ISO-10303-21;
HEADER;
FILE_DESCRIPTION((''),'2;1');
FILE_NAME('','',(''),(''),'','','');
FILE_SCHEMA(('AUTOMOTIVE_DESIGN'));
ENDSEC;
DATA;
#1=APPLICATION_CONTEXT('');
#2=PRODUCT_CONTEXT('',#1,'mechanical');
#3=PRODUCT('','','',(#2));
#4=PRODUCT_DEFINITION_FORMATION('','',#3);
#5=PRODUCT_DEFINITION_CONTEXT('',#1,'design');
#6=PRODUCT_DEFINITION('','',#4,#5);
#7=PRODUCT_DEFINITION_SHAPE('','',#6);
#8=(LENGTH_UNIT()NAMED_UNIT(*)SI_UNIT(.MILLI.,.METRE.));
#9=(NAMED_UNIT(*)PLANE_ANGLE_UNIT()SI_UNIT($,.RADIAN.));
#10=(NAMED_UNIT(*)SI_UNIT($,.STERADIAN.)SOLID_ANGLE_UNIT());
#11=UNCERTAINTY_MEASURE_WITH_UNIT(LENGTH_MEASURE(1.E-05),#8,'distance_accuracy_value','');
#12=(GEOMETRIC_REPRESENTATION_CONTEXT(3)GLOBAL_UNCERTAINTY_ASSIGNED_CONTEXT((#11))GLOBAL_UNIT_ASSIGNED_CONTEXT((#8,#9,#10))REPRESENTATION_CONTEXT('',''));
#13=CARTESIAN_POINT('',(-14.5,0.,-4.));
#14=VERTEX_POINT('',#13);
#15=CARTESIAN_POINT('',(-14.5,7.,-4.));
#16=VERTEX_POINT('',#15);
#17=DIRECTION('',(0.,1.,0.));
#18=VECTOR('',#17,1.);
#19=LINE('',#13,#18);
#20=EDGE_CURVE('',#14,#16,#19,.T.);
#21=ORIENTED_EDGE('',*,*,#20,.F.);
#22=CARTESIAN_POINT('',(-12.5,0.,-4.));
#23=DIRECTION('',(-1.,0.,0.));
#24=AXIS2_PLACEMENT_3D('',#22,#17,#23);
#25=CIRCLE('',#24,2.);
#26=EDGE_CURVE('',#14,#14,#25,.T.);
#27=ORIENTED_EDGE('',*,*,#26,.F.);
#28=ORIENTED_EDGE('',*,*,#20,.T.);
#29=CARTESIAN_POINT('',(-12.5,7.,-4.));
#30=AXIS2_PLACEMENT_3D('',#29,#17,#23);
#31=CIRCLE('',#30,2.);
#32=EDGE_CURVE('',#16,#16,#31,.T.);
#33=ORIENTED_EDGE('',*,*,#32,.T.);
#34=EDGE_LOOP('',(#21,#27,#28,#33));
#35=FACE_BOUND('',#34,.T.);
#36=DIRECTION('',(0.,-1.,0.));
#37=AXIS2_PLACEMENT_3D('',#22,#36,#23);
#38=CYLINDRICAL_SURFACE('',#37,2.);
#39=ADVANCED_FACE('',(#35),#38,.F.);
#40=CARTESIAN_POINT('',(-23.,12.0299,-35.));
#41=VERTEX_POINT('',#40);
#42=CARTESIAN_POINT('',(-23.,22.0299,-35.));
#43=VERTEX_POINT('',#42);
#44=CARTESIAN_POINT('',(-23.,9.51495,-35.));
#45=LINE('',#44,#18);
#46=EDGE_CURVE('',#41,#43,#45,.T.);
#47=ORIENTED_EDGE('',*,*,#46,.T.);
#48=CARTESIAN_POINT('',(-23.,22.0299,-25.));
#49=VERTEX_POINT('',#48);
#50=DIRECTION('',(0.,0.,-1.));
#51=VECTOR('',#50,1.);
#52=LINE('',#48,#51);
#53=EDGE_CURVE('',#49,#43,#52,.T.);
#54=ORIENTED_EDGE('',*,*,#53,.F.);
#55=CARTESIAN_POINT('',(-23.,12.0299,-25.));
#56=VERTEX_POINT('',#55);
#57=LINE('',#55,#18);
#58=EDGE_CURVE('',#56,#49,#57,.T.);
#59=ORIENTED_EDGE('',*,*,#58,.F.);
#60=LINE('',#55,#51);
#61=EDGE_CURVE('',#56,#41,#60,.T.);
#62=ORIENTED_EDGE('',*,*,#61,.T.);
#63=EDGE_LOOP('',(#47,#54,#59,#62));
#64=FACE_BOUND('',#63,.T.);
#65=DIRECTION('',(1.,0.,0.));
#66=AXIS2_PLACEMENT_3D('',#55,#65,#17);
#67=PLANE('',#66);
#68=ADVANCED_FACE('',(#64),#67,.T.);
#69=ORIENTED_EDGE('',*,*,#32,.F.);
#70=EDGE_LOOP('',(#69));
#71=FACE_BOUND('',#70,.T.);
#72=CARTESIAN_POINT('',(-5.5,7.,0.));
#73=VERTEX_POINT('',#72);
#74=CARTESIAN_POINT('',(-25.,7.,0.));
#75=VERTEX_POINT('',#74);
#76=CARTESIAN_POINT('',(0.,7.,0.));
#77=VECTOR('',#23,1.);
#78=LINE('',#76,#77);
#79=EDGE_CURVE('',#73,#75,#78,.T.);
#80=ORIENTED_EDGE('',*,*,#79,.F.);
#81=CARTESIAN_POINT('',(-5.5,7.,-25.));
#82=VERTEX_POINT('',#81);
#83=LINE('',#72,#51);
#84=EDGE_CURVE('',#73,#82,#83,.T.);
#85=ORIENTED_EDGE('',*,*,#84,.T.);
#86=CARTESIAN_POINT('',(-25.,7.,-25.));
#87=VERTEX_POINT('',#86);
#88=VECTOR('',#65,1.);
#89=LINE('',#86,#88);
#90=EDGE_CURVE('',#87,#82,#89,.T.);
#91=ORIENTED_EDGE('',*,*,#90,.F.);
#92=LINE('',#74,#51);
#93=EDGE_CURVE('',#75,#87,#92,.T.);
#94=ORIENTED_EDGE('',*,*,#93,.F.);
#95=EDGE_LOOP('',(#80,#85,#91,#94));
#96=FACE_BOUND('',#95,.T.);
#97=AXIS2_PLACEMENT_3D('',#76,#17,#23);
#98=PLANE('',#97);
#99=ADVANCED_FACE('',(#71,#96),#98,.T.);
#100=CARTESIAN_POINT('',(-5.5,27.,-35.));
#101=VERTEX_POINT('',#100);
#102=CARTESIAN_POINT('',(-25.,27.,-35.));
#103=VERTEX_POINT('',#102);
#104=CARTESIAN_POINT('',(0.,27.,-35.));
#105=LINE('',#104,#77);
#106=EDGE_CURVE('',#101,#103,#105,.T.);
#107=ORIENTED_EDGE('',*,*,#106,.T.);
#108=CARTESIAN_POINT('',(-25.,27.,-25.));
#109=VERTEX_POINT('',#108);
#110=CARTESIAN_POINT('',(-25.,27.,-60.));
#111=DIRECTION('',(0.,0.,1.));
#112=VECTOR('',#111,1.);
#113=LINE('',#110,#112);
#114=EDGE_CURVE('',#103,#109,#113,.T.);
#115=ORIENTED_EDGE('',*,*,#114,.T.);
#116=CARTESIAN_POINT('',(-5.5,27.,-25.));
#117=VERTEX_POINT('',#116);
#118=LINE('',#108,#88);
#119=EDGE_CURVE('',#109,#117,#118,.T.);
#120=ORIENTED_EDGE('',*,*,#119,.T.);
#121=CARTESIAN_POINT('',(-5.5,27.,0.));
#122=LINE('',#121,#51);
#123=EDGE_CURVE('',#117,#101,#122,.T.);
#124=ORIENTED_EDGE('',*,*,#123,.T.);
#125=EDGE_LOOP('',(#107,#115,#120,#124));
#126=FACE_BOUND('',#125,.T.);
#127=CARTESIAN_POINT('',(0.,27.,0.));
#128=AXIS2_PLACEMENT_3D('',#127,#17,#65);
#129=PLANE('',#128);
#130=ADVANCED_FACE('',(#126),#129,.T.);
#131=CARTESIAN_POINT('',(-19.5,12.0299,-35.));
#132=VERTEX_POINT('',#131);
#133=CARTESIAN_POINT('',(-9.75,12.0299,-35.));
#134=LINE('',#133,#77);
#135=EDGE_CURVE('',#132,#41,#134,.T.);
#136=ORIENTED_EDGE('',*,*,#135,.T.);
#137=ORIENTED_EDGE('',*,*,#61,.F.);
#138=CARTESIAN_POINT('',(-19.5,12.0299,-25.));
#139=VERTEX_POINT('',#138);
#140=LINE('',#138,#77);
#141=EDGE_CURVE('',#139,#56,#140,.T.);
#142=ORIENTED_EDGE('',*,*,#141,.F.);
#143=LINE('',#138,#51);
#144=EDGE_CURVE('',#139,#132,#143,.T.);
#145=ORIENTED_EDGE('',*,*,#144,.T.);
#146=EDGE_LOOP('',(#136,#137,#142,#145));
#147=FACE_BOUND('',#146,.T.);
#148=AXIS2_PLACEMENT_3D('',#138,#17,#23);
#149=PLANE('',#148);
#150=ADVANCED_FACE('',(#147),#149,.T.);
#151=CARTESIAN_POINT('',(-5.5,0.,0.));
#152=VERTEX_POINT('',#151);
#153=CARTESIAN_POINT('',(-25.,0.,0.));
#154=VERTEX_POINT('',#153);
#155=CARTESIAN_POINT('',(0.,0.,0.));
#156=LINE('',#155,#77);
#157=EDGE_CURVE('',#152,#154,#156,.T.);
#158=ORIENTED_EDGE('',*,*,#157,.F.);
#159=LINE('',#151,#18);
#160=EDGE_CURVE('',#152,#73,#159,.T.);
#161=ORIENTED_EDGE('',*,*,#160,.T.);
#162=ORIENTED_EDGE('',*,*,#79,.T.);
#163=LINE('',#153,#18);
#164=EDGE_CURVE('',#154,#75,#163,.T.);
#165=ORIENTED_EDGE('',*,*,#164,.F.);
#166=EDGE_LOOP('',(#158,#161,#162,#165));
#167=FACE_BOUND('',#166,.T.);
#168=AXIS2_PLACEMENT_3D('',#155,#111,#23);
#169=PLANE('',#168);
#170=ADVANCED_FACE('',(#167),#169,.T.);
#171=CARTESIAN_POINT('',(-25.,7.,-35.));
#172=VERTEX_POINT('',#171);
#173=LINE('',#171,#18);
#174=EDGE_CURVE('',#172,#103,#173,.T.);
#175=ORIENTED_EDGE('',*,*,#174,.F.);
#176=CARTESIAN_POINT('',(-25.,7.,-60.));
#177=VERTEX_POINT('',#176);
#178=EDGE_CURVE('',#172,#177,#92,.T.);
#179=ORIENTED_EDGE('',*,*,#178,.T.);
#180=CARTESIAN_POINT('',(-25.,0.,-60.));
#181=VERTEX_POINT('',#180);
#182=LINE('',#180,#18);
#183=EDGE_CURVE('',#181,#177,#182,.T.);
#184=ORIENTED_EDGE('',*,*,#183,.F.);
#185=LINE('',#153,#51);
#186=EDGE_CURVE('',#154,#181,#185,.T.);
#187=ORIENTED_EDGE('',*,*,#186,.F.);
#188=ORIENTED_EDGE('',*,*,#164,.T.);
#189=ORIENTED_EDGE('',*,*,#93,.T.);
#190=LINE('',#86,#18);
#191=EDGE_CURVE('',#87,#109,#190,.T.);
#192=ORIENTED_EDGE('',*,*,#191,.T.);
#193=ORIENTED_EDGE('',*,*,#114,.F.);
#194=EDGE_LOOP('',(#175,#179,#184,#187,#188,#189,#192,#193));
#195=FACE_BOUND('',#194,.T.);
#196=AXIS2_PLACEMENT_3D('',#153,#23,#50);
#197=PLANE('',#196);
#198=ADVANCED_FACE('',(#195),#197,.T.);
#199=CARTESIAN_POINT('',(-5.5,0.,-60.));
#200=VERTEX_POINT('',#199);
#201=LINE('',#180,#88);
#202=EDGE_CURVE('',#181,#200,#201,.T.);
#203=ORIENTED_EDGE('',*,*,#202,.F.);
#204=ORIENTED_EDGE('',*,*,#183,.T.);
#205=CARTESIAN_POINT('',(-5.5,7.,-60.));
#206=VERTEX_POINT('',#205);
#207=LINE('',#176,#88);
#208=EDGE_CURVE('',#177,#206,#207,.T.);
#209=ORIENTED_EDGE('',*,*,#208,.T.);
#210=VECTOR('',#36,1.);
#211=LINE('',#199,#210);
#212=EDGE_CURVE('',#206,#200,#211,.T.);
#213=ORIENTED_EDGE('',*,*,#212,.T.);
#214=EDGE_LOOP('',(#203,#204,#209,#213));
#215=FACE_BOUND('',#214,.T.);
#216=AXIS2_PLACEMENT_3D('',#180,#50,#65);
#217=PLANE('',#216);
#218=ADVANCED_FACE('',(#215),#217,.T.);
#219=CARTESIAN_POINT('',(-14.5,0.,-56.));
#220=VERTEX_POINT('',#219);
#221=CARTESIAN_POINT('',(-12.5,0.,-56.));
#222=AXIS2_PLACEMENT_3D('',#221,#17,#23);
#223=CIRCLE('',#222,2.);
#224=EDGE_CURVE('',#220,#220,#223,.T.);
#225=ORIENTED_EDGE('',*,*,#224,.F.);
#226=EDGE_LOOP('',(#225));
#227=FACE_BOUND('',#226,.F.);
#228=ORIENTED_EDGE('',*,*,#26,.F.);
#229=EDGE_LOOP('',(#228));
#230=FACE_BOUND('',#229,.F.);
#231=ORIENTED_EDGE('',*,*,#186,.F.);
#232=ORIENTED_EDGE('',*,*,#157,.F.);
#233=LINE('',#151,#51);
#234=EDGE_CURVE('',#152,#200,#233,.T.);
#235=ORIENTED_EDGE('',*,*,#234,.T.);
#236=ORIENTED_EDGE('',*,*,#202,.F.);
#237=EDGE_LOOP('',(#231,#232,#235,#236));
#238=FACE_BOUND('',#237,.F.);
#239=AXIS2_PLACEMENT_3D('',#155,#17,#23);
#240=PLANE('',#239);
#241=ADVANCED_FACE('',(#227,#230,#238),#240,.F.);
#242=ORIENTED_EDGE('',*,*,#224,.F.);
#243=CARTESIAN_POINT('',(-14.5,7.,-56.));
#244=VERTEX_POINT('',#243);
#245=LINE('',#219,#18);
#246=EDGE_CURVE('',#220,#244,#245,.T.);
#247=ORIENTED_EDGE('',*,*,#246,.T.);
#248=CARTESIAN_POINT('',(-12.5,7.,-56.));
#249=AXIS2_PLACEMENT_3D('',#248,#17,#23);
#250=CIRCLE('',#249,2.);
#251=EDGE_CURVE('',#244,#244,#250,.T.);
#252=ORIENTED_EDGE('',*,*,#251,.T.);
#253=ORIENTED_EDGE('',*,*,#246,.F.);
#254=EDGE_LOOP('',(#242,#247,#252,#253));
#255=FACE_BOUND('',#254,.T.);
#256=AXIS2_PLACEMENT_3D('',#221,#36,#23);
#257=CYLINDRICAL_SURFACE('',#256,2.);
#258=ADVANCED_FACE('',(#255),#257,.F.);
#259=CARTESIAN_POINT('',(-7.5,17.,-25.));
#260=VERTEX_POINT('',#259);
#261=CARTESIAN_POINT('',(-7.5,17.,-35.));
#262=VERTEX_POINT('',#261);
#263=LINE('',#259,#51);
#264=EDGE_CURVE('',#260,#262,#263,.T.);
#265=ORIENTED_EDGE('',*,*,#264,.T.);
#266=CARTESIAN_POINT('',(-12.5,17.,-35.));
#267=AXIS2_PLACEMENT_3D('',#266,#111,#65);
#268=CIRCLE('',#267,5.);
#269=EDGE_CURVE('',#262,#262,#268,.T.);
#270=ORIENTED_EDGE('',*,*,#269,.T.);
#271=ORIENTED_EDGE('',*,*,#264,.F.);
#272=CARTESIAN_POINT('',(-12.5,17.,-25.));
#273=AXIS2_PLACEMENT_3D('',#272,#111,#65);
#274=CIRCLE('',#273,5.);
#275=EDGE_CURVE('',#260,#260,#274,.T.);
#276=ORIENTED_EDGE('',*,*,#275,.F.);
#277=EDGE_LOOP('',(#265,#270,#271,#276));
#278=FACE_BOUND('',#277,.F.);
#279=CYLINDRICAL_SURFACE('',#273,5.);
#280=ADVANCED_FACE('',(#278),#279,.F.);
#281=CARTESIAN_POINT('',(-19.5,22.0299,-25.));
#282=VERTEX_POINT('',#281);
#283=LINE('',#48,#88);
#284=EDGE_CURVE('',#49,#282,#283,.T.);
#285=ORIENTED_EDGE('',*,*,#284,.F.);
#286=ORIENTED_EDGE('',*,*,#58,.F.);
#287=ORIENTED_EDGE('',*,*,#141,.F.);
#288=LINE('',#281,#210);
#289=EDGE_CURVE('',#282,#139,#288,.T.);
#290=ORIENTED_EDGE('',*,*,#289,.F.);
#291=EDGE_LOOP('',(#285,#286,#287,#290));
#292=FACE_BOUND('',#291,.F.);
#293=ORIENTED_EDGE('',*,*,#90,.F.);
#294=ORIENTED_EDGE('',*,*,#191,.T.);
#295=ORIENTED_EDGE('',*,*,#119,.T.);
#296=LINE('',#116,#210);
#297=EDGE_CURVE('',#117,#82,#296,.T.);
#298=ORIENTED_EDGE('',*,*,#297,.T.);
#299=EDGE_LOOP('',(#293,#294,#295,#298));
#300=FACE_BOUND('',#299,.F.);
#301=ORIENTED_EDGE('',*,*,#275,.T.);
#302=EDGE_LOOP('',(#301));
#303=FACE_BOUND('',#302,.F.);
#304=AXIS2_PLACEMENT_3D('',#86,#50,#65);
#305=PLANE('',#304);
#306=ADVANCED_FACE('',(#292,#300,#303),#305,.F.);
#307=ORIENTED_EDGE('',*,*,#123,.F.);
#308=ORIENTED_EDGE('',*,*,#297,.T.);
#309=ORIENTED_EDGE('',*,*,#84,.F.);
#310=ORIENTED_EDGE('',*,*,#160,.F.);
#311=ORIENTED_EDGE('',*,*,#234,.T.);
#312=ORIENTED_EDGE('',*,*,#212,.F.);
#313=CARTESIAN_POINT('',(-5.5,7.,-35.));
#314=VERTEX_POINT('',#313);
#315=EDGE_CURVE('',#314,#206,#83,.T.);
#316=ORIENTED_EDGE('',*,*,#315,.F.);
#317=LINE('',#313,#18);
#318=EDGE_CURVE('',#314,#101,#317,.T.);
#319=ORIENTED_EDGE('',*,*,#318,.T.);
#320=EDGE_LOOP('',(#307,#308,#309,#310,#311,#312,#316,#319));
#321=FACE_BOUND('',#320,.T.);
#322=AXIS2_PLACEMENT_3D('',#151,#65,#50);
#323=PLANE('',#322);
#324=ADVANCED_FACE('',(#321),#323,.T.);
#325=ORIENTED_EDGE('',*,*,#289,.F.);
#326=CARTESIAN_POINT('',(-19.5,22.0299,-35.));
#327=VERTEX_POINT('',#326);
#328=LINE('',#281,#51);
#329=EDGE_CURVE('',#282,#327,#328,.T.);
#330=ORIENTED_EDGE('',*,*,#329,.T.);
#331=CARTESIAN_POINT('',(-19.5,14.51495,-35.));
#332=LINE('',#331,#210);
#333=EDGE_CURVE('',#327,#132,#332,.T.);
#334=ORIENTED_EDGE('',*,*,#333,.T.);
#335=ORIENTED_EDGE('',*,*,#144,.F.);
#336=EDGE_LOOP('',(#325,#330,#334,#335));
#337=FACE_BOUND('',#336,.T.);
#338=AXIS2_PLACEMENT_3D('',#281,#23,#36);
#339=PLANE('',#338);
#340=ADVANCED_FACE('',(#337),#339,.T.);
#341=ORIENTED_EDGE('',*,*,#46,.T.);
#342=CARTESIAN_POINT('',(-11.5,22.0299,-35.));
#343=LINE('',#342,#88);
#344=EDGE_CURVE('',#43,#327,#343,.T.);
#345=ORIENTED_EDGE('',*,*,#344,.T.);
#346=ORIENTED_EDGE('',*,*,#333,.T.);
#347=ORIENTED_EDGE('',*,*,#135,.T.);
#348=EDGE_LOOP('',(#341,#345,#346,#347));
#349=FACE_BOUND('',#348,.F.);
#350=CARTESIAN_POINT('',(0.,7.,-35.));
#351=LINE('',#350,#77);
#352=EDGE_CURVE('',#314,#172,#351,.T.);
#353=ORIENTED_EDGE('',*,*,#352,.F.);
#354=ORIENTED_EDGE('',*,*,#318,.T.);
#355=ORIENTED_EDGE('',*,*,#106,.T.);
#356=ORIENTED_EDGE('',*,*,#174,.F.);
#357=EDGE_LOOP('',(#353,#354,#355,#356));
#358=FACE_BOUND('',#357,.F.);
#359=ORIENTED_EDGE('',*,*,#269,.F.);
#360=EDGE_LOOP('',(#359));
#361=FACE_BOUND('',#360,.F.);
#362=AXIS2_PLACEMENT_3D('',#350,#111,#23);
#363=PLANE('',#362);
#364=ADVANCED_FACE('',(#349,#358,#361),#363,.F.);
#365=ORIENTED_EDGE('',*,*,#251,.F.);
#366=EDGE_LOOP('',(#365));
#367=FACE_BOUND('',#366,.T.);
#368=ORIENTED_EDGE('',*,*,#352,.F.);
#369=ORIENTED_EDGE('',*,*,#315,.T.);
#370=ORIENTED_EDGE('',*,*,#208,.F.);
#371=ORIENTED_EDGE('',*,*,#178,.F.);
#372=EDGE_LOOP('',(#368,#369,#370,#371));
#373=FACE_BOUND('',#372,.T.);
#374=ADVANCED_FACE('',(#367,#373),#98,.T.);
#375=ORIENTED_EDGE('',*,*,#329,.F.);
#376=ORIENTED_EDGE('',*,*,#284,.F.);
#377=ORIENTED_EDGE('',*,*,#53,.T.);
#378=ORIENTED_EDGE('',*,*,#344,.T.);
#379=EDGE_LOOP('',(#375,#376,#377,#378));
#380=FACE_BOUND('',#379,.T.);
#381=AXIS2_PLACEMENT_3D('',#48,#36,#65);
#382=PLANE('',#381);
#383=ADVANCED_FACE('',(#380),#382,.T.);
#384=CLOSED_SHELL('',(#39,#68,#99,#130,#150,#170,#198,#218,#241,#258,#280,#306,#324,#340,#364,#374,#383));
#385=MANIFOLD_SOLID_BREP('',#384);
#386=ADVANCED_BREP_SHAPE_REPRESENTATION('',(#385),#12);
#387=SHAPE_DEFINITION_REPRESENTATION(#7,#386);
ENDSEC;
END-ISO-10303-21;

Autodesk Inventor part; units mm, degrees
ref_plane "YZ Plane" through (0, 0, 0) normal (1, 0, 0) x (0, 1, 0)
ref_plane "XZ Plane" through (0, 0, 0) normal (0, 1, 0) x (-1, 0, 0)
ref_plane "XY Plane" through (0, 0, 0) normal (0, 0, 1) x (1, 0, 0)
sketch "Sketch1" plane through (0, 0, 0) normal (0, 1, 0) x (-1, 0, 0)
  line L0 (0, 0) -> (25, 0)
  line L1 (25, 0) -> (25, -60)
  line L2 (25, -60) -> (0, -60)
  line L3 (0, -60) -> (0, 0)
  circle A0 centre (12.5, -4) radius 2
  circle A1 centre (12.5, -56) radius 2
  dimension "d0" = 25
  dimension "d1" = 60
  dimension "d2" = 4
  dimension "d3" = 4
  dimension "d4" = 52
  dimension "d5" = 4
extrude "Extrusion1" add sketch "Sketch1" along normal blind 7
sketch "Sketch2" plane through (0, 7, 0) normal (0, 1, 0) x (1, 0, 0)
  line L0 (-25, 60) -> (-25, 0) projected
  line L1 (-25, 25) -> (0, 25)
  line L2 (0, 25) -> (0, 35)
  line L3 (0, 35) -> (-25, 35)
  line L4 (-25, 35) -> (-25, 25)
  line L5 (0, 60) -> (-25, 60) projected
  point P0 (0, 0)
  dimension "d8" = 25
  dimension "d9" = 10
  dimension "d10" = 25
extrude "Extrusion2" add sketch "Sketch2" along normal blind 20
sketch "Sketch3" plane through (-25, 7, -25) normal (0, 0, 1) x (1, 0, 0)
  circle A0 centre (12.5, 10) radius 5
  line L0 (2, 15.0299) -> (5.5, 15.0299)
  line L1 (5.5, 15.0299) -> (5.5, 5.0299)
  line L2 (5.5, 5.0299) -> (2, 5.0299)
  line L3 (2, 5.0299) -> (2, 15.0299)
  line L4 (19.5, 15.0299) -> (23, 15.0299)
  line L5 (23, 15.0299) -> (23, 5.0299)
  line L6 (23, 5.0299) -> (19.5, 5.0299)
  line L7 (19.5, 5.0299) -> (19.5, 15.0299)
  line L8 (0, 0) -> (0, 20) projected
  point P0 (25, -7)
  dimension "d13" = 10
  dimension "d14" = 3.5
  dimension "d15" = 10
  dimension "d16" = 3.5
  dimension "d17" = 10
  dimension "d20" = 7
  dimension "d21" = 7
  dimension "d22" = 12.5
extrude "Extrusion3" cut sketch "Sketch3" against normal blind 20
sketch "Sketch4" plane through (0, 0, 0) normal (1, 0, 0) x (0, 0, -1)
  line L0 (-8.0858, 30.1503) -> (63.6355, 30.1503)
  line L1 (63.6355, 30.1503) -> (63.6355, -9.4106)
  line L2 (63.6355, -9.4106) -> (-8.0858, -9.4106)
  line L3 (-8.0858, -9.4106) -> (-8.0858, 30.1503)
  point P0 (0, 0)
extrude "Extrusion4" cut sketch "Sketch4" against normal blind 5.5
properties part number "zthreadedrod"
